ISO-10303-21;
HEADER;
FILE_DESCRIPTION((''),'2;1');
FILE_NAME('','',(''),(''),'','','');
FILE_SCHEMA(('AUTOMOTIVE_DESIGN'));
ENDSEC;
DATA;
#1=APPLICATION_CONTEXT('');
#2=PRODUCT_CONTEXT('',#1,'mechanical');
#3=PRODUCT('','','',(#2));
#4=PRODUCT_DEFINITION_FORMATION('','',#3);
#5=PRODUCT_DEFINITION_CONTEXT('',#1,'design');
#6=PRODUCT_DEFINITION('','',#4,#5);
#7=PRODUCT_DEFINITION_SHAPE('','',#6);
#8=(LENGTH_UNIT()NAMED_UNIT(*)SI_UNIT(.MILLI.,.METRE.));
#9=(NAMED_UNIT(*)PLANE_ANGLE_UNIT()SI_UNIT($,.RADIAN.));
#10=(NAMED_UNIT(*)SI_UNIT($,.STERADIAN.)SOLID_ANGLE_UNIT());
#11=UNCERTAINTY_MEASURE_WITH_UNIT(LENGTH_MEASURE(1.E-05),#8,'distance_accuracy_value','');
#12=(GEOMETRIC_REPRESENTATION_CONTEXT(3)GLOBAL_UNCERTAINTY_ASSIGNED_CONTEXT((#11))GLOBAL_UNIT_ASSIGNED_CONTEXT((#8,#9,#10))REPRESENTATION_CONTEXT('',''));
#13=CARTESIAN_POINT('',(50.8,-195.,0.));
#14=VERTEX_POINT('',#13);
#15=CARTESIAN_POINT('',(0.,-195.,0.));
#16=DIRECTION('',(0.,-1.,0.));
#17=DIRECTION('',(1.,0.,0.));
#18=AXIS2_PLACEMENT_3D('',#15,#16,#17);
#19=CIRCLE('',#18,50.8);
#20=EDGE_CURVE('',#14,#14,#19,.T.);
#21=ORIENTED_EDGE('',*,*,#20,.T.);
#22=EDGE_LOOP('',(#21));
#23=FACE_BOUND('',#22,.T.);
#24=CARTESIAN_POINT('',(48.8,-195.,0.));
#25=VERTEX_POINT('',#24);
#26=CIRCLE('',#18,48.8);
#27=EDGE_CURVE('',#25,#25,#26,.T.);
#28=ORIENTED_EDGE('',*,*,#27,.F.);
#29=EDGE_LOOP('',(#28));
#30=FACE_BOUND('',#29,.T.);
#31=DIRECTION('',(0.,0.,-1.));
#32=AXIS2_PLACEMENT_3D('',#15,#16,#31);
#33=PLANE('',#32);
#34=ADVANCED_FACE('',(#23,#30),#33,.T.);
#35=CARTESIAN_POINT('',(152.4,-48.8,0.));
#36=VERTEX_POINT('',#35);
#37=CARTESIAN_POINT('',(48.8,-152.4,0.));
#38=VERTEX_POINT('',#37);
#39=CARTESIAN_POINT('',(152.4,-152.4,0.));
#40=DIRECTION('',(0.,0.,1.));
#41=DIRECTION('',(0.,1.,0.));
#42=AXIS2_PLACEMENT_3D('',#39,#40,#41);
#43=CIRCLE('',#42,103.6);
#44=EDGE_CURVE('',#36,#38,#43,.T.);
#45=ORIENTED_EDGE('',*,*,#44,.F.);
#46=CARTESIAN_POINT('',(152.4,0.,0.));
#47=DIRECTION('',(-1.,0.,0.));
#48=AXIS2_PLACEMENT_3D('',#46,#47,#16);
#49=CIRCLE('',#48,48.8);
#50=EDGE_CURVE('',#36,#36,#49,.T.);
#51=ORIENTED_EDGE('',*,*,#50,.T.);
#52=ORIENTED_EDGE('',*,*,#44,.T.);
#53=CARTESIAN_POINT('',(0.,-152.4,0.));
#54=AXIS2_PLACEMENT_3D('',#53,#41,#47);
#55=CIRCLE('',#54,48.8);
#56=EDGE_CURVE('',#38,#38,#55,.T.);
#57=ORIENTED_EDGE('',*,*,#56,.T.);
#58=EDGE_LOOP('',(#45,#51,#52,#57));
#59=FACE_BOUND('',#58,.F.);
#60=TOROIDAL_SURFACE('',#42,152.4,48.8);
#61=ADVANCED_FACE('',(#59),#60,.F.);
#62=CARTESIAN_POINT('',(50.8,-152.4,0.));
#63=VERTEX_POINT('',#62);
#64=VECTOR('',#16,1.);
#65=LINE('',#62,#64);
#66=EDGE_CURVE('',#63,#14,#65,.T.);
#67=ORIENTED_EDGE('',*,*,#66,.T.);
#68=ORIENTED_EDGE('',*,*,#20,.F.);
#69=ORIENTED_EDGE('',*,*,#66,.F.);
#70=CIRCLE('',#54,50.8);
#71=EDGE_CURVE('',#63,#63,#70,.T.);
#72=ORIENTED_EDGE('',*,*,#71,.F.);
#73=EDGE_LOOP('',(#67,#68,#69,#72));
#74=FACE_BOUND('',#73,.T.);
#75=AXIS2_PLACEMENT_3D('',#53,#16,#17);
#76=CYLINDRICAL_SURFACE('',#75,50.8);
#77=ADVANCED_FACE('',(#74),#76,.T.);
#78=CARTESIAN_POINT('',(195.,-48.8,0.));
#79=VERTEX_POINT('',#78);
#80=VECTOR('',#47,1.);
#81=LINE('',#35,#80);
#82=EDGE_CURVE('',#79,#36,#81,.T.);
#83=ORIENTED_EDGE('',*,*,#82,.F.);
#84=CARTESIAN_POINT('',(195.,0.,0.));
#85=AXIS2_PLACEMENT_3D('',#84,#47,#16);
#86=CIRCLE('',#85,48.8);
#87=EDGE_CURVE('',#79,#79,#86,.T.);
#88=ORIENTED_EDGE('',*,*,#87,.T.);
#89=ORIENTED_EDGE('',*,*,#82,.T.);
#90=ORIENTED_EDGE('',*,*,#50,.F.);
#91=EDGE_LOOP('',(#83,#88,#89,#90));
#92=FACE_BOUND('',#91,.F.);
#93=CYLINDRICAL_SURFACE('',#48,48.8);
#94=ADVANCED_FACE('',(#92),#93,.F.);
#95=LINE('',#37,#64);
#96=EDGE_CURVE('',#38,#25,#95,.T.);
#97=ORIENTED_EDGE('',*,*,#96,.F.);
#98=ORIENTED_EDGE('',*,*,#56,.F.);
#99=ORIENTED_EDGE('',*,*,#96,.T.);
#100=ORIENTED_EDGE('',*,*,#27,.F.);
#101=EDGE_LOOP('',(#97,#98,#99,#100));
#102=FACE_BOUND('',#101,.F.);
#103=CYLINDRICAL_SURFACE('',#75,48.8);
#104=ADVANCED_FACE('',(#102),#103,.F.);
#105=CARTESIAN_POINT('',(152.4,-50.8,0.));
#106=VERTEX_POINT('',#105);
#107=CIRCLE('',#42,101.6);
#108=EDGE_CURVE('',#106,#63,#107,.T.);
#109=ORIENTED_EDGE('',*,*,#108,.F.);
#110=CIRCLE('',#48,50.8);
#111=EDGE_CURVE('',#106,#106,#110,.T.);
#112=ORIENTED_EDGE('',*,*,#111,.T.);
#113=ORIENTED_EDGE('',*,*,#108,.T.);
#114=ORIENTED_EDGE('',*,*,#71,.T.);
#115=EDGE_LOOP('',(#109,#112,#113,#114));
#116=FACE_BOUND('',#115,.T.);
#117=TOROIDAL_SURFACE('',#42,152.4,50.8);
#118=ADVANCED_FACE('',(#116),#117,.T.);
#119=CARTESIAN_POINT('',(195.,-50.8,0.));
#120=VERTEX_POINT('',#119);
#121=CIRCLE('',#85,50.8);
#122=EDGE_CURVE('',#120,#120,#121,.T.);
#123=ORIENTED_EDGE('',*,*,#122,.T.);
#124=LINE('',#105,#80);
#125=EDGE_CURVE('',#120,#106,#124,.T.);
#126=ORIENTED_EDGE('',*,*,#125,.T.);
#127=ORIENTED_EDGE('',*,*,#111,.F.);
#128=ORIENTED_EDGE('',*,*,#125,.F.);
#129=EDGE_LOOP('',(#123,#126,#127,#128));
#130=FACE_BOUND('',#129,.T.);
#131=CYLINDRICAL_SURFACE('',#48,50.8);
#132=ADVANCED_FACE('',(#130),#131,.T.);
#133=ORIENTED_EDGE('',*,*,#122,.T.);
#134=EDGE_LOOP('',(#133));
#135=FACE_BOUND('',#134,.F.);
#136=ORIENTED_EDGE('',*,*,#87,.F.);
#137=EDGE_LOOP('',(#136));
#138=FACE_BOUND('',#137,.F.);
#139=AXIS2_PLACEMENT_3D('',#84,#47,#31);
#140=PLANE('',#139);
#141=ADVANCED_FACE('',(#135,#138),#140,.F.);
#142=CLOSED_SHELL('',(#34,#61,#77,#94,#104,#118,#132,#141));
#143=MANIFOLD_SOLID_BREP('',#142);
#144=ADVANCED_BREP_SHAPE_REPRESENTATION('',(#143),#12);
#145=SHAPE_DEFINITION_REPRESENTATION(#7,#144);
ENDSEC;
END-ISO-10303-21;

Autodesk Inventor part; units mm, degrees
ref_plane "YZ Plane" through (0, 0, 0) normal (1, 0, 0) x (0, 1, 0)
ref_plane "XZ Plane" through (0, 0, 0) normal (0, 1, 0) x (-1, 0, 0)
sketch "Szkic6" plane through (0, 0, 0) normal (0, 0, 1) x (1, 0, 0)
  line L0 (-29.6067, 0) -> (35.2678, 0) construction
  line L1 (0, 42.3419) -> (0, -58.3726) construction
  arc A0 (152.4, 0) -> (0, -152.4) centre (152.4, -152.4) ccw
  line L2 (0, -152.4) -> (152.4, -152.4) construction
  line L3 (152.4, -152.4) -> (152.4, -86.8669) construction
  line L4 (152.4, 0) -> (195, 0)
  line L5 (0, -152.4) -> (0, -195)
  point P0 (0, 0)
  dimension "d24" = 152.4
  dimension "d31" = 90
  dimension "d36" = 42.6
  dimension "d37" = 42.6
ref_plane "Płaszczyzna konstrukcyjna2" through (0, -152.4, 0) normal (0, -1, 0) x (1, 0, 0)
sketch "Szkic8" plane through (0, -152.4, 0) normal (0, -1, 0) x (1, 0, 0)
  circle A0 centre (0, 0) radius 50.8
  circle A1 centre (0, 0) radius 48.8
  dimension "d32" = 101.6
  dimension "d33" = 2
sweep "Przeciągnięcie2" add profiles "Szkic8" path "Szkic6"
equation "\"d32\" = OD"
equation "\"d33\" = THK"
equation "\"d24\" = R"
equation "\"d31\" = KAT"
equation "\"d36\" = PROSTKA"
equation "\"d37\" = PROSTKA"
equation "\"SzerokośćGięciaPodcięcia\" = Grubość"
equation "\"RozmiarPodcięciaNarożnika\" = 4 * Grubość"
equation "\"PromieńPrzejścia\" = PromieńGięcia"
equation "\"Rozmiar_promienia_Jacobiego\" = PromieńGięcia"
equation "\"Wielk_odstępu\" = Grubość"
equation "\"d2\" = PromieńGięcia"
equation "\"d23\" = PromieńGięcia"
equation "\"R\" = 152.4"
equation "\"OD\" = 101.6"
equation "\"THK\" = 2"
equation "\"KAT\" = 90deg"
equation "\"PROSTKA\" = 42.6"
equation "\"Grubość\" = 1.5"
equation "\"PromieńGięcia\" = 3"
properties part number "Kolano 90° ø101,6x2 R152,4" material "304L"
